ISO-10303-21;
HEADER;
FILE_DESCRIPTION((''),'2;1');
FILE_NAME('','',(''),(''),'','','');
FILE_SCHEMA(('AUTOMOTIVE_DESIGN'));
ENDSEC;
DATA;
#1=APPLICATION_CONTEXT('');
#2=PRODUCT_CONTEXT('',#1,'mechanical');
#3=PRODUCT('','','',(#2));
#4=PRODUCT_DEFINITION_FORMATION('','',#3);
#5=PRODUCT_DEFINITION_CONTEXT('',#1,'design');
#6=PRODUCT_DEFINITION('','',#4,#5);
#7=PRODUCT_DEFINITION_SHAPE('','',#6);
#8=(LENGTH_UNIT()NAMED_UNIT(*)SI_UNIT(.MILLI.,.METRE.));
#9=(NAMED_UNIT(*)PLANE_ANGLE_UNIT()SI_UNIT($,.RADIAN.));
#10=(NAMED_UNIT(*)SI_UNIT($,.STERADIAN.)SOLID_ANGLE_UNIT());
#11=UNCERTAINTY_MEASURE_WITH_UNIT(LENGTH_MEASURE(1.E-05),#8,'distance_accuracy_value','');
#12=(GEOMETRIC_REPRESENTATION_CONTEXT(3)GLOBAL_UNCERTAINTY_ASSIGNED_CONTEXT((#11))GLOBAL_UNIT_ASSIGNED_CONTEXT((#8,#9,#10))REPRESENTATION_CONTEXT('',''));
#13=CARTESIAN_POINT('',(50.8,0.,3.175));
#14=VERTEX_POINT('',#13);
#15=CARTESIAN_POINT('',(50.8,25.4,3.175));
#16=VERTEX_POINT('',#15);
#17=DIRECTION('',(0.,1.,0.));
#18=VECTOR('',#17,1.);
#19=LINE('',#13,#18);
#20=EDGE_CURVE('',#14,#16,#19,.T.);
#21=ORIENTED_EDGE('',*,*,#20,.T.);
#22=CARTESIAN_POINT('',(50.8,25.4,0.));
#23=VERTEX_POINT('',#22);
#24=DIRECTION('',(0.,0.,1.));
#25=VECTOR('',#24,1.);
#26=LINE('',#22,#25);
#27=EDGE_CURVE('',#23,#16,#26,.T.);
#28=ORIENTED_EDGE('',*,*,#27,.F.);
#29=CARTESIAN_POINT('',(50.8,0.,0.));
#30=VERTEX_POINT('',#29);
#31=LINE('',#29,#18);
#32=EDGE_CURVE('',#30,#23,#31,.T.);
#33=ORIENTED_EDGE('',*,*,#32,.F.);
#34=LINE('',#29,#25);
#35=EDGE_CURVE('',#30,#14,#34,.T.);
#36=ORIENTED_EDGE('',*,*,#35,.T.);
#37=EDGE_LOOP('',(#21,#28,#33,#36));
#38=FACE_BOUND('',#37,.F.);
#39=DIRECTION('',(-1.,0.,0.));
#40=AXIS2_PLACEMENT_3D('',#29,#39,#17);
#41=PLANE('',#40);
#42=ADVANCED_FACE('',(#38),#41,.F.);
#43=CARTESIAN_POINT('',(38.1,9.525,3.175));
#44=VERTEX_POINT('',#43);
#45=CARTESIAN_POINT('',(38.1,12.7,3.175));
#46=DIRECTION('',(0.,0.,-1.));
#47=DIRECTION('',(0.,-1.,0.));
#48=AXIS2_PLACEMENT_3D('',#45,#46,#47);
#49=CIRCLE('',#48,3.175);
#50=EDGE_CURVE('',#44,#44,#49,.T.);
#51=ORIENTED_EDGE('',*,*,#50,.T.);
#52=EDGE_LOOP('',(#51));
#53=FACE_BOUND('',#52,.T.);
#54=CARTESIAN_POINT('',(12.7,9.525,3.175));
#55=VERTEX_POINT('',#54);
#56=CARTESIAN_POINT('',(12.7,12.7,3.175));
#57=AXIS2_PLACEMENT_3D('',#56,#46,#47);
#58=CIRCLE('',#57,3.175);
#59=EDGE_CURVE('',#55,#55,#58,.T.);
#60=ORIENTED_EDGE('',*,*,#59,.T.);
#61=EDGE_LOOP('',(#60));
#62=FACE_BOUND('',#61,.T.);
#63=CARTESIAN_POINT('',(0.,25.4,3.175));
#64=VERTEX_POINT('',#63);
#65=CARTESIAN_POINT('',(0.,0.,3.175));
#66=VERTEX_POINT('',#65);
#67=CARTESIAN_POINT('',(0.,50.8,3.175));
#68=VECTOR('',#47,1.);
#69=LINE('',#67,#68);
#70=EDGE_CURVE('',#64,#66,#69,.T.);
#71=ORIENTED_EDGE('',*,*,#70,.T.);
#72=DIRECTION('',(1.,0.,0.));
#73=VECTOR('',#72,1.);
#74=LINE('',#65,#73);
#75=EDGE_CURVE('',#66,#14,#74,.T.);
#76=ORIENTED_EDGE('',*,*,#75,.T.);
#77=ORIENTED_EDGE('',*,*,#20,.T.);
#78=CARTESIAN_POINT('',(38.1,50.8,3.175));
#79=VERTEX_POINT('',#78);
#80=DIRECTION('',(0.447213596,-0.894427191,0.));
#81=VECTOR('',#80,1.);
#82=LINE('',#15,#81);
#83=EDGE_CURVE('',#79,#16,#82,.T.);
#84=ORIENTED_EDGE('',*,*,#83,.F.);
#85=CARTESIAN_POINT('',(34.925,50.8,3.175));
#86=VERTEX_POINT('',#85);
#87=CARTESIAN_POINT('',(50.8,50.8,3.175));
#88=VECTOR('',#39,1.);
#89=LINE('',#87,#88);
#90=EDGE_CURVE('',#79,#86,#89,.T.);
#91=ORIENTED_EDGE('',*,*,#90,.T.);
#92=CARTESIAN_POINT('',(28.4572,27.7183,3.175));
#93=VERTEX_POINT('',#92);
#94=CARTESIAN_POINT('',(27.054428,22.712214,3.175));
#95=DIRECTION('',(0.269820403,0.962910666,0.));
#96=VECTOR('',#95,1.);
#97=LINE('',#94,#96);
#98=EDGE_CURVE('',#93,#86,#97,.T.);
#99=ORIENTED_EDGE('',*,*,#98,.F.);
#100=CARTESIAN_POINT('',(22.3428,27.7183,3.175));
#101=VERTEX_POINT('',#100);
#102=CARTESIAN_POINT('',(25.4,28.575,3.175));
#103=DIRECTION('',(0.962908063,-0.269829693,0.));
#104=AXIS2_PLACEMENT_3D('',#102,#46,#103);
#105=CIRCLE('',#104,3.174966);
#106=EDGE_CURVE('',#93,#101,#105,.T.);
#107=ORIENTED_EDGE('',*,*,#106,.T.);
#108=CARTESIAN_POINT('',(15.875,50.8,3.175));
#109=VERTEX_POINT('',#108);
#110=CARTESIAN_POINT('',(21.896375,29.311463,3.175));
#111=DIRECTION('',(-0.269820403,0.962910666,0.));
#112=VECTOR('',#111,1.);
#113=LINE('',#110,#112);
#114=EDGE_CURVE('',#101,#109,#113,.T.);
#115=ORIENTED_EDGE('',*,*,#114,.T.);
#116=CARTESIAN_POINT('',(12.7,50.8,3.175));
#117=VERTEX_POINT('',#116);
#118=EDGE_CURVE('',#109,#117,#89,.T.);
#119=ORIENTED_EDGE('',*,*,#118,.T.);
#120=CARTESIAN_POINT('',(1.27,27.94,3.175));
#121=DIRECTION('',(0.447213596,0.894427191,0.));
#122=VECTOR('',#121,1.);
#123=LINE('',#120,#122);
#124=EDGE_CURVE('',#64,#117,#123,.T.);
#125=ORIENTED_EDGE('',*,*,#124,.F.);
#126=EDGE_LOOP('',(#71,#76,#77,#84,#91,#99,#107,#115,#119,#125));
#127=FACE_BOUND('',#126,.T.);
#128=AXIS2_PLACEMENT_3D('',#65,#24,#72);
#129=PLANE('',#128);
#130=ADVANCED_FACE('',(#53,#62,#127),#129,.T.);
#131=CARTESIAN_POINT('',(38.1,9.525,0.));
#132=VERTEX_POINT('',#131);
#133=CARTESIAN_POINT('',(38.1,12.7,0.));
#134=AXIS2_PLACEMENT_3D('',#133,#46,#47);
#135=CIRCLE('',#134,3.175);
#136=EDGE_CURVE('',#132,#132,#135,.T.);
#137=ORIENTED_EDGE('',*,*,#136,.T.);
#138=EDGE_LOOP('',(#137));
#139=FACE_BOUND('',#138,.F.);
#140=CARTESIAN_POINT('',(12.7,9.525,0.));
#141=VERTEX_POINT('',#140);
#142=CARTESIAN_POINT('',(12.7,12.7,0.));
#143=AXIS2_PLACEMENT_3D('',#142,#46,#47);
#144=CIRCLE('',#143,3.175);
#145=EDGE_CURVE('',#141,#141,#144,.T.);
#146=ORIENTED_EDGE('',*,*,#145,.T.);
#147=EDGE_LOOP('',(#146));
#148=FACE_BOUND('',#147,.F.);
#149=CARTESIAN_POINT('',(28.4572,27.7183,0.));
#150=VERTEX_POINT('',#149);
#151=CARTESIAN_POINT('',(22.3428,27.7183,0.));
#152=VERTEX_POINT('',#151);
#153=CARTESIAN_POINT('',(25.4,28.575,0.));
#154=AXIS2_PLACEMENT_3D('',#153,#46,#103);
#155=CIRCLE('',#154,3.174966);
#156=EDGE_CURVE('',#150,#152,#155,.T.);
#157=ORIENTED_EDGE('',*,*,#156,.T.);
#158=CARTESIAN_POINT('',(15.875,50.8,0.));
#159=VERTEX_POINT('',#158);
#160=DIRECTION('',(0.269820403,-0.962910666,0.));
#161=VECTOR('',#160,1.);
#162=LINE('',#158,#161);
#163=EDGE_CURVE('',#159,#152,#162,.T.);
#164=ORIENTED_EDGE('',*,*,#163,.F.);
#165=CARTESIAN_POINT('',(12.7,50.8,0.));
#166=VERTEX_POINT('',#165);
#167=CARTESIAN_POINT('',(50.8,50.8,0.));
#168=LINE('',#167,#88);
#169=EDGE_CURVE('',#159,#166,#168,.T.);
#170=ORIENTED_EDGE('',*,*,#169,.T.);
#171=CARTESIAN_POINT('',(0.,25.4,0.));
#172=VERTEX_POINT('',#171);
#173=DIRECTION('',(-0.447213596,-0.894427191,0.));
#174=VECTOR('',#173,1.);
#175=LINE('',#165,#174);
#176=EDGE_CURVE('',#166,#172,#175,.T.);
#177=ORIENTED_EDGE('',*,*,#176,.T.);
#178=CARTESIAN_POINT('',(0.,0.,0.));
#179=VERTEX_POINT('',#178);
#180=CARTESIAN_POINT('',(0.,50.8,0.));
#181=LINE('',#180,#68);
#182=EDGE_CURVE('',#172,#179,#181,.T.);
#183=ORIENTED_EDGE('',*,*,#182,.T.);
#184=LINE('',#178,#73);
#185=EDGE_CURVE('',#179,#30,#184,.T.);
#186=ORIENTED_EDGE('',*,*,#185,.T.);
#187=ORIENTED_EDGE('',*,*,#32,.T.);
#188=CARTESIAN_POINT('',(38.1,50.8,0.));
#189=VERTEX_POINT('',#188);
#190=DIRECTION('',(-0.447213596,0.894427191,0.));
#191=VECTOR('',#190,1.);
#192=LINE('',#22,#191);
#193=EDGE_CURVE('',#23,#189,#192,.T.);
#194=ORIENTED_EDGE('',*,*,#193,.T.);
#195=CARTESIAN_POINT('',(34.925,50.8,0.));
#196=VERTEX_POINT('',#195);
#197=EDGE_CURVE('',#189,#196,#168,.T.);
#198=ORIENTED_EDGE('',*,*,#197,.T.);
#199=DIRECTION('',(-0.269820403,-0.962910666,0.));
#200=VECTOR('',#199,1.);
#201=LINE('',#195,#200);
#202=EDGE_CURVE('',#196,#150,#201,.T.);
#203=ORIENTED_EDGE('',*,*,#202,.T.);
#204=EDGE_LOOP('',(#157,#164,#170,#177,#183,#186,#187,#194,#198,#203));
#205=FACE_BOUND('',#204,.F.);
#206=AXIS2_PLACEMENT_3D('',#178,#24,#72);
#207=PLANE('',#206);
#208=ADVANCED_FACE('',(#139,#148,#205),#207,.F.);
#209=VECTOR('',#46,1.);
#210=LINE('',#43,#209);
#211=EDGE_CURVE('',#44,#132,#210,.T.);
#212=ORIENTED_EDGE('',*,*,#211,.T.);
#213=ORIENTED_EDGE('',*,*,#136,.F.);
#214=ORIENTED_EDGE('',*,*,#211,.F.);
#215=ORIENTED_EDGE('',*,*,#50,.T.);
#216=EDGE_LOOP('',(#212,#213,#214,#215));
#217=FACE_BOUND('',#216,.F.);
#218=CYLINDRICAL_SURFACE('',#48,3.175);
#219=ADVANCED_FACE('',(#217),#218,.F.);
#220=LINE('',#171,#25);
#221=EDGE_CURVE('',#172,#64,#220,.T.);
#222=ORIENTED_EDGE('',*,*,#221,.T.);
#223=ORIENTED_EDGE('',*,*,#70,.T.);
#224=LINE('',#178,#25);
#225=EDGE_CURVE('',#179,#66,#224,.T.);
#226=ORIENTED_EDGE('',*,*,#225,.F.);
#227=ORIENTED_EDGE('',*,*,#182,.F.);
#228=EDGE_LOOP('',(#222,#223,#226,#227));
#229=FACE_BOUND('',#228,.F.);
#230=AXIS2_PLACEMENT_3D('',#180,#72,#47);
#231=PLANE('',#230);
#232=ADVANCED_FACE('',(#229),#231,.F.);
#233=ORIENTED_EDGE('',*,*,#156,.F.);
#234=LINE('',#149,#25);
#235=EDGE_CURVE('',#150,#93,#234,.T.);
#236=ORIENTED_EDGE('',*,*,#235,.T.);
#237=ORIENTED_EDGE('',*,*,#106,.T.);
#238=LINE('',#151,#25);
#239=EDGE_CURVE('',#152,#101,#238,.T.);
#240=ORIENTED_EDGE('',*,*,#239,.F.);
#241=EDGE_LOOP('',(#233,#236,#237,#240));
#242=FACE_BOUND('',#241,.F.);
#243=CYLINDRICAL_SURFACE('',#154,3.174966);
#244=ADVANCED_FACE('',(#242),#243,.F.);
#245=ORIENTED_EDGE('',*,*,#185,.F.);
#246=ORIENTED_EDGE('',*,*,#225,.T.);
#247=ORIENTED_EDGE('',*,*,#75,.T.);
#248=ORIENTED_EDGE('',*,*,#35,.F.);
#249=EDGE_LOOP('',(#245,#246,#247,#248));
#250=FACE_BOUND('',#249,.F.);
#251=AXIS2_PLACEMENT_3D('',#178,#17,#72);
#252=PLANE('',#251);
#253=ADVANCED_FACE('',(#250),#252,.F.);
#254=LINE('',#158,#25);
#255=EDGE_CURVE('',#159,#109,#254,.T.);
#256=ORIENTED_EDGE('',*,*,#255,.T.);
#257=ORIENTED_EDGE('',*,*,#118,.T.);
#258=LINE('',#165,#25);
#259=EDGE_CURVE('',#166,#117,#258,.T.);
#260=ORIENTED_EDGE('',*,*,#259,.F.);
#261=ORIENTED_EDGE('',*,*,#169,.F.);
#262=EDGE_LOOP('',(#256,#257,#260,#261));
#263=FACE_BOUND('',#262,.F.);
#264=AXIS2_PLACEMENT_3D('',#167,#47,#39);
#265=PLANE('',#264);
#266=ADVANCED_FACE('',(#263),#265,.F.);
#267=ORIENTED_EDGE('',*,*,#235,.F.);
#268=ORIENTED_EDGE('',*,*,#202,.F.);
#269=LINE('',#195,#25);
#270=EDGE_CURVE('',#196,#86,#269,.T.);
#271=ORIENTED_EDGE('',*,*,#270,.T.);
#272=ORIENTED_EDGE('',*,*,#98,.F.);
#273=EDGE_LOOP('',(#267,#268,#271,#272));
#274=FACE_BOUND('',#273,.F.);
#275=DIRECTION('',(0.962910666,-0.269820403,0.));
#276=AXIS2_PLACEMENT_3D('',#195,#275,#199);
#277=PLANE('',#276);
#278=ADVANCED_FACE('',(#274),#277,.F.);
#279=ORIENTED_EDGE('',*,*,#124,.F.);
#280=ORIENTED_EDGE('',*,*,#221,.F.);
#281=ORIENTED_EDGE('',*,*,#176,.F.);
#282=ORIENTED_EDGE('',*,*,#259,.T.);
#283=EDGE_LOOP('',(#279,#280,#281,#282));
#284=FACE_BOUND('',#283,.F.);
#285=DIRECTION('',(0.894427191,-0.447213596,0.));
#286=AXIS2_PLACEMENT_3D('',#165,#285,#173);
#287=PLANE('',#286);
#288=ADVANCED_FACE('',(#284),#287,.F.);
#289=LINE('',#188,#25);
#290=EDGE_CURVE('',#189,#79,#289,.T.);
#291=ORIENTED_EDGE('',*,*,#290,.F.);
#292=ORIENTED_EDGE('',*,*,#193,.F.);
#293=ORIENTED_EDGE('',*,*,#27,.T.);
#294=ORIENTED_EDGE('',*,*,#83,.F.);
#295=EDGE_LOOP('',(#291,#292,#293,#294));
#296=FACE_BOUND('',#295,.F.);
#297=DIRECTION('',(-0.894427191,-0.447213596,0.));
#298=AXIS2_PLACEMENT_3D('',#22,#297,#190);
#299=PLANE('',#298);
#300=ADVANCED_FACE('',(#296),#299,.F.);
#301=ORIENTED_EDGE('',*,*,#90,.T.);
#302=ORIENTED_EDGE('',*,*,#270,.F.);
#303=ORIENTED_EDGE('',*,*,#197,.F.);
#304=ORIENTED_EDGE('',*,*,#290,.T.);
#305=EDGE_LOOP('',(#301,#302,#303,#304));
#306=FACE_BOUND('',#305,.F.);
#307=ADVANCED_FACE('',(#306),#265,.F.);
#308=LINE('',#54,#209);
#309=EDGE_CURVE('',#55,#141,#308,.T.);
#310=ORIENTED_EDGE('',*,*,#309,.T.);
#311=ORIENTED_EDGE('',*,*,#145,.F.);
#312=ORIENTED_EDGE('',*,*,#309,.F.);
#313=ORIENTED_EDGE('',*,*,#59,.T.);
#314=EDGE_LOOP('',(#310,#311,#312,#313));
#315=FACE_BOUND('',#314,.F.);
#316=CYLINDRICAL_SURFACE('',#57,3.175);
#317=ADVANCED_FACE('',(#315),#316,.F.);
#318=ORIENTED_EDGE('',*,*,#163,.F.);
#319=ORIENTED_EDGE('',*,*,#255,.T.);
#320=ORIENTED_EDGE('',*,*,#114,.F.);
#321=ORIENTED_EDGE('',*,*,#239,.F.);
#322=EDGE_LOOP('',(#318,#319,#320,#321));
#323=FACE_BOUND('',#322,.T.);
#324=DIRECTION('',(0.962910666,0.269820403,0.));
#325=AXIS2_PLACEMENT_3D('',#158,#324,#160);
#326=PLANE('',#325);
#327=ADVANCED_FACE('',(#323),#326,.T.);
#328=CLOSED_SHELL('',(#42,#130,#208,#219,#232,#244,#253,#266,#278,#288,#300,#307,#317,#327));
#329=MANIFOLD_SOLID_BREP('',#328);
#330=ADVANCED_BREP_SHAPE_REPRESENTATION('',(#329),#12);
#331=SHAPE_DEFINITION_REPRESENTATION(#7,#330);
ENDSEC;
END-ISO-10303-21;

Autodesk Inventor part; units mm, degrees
ref_plane "YZ Plane" through (0, 0, 0) normal (1, 0, 0) x (0, 1, 0)
ref_plane "XZ Plane" through (0, 0, 0) normal (0, 1, 0) x (-1, 0, 0)
ref_plane "XY Plane" through (0, 0, 0) normal (0, 0, 1) x (1, 0, 0)
sketch "Sketch1" plane through (0, 0, 0) normal (0, 0, 1) x (1, 0, 0)
  line L0 (0, 0) -> (50.8, 0)
  line L1 (50.8, 0) -> (50.8, 50.8)
  line L2 (50.8, 50.8) -> (0, 50.8)
  line L3 (0, 50.8) -> (0, 0)
  dimension "d0" = 50.8
  dimension "d1" = 50.8
extrude "Extrusion1" add sketch "Sketch1" along normal blind 3.175
sketch "Sketch2" plane through (0, 0, 3.175) normal (0, 0, 1) x (1, 0, 0)
  line L0 (0, 0) -> (50.8, 0) projected
  line L1 (50.8, 0) -> (50.8, 50.8) projected
  line L2 (50.8, 50.8) -> (0, 50.8) projected
  line L3 (0, 50.8) -> (0, 0) projected
  point P0 (12.7, 12.7)
  point P1 (38.1, 12.7)
  dimension "d4" = 12.7
  dimension "d5" = 12.7
  dimension "d6" = 12.7
  dimension "d7" = 12.7
hole "Hole1" at (12.7, 12.7, 3.175) at (38.1, 12.7, 3.175) direction (0, 0, -1) diameter 6.35 end through all
sketch "Sketch3" plane through (0, 0, 0) normal (0, 0, -1) x (-1, 0, 0)
  line L0 (0, 0) -> (-50.8, 0) projected
  line L1 (-50.8, 0) -> (-50.8, 50.8) projected
  line L2 (-50.8, 0) -> (-50.8, 50.8) projected
  line L3 (-50.8, 25.4) -> (-38.1, 50.8)
  line L4 (-50.8, 50.8) -> (0, 50.8) construction
  line L5 (-38.1, 50.8) -> (-12.7, 50.8) construction
  line L6 (-12.7, 50.8) -> (0, 25.4)
  line L7 (0, 50.8) -> (0, 0) projected
  line L8 (-38.1, 50.8) -> (-50.8, 50.8)
  line L9 (-50.8, 50.8) -> (-50.8, 25.4)
  line L10 (-12.7, 50.8) -> (0, 50.8)
  line L11 (0, 50.8) -> (0, 25.4)
  dimension "d19" = 25.4
  dimension "d20" = 25.4
  dimension "d21" = 25.4
  dimension "d22" = 12.7
extrude "Extrusion2" cut sketch "Sketch3" against normal blind 25.4
sketch "Sketch4" plane through (0, 0, 0) normal (0, 0, -1) x (-1, 0, 0)
  line L0 (0, 25.4) -> (-12.7, 50.8) projected
  line L1 (-38.1, 50.8) -> (-12.7, 50.8) projected
  line L2 (-38.1, 50.8) -> (-50.8, 25.4) projected
  line L3 (-50.8, 0) -> (-50.8, 25.4) projected
  line L4 (0, 0) -> (-50.8, 0) projected
  line L5 (0, 25.4) -> (0, 0) projected
  circle A0 centre (-12.7, 12.7) radius 3.175 projected
  circle A1 centre (-38.1, 12.7) radius 3.175 projected
  circle A2 centre (-25.4, 28.575) radius 3.175 construction
  line L6 (-34.925, 50.8) -> (-28.4572, 27.7183)
  line L7 (-15.875, 50.8) -> (-22.3428, 27.7183)
  arc A3 (-28.4572, 27.7183) -> (-22.3428, 27.7183) centre (-25.4, 28.575) ccw
  line L8 (-34.925, 50.8) -> (-15.875, 50.8)
  line L9 (-38.1, 50.8) -> (-12.7, 50.8) projected
  dimension "d25" = 6.35
  dimension "d26" = 22.225
  dimension "d27" = 12.7
  dimension "d28" = 3.175
  dimension "d29" = 3.175
extrude "Extrusion3" cut sketch "Sketch4" against normal blind 25.4 contours L7 A3 L6 L1
properties part number "pickup arm tab" material "Aluminum 6061"
